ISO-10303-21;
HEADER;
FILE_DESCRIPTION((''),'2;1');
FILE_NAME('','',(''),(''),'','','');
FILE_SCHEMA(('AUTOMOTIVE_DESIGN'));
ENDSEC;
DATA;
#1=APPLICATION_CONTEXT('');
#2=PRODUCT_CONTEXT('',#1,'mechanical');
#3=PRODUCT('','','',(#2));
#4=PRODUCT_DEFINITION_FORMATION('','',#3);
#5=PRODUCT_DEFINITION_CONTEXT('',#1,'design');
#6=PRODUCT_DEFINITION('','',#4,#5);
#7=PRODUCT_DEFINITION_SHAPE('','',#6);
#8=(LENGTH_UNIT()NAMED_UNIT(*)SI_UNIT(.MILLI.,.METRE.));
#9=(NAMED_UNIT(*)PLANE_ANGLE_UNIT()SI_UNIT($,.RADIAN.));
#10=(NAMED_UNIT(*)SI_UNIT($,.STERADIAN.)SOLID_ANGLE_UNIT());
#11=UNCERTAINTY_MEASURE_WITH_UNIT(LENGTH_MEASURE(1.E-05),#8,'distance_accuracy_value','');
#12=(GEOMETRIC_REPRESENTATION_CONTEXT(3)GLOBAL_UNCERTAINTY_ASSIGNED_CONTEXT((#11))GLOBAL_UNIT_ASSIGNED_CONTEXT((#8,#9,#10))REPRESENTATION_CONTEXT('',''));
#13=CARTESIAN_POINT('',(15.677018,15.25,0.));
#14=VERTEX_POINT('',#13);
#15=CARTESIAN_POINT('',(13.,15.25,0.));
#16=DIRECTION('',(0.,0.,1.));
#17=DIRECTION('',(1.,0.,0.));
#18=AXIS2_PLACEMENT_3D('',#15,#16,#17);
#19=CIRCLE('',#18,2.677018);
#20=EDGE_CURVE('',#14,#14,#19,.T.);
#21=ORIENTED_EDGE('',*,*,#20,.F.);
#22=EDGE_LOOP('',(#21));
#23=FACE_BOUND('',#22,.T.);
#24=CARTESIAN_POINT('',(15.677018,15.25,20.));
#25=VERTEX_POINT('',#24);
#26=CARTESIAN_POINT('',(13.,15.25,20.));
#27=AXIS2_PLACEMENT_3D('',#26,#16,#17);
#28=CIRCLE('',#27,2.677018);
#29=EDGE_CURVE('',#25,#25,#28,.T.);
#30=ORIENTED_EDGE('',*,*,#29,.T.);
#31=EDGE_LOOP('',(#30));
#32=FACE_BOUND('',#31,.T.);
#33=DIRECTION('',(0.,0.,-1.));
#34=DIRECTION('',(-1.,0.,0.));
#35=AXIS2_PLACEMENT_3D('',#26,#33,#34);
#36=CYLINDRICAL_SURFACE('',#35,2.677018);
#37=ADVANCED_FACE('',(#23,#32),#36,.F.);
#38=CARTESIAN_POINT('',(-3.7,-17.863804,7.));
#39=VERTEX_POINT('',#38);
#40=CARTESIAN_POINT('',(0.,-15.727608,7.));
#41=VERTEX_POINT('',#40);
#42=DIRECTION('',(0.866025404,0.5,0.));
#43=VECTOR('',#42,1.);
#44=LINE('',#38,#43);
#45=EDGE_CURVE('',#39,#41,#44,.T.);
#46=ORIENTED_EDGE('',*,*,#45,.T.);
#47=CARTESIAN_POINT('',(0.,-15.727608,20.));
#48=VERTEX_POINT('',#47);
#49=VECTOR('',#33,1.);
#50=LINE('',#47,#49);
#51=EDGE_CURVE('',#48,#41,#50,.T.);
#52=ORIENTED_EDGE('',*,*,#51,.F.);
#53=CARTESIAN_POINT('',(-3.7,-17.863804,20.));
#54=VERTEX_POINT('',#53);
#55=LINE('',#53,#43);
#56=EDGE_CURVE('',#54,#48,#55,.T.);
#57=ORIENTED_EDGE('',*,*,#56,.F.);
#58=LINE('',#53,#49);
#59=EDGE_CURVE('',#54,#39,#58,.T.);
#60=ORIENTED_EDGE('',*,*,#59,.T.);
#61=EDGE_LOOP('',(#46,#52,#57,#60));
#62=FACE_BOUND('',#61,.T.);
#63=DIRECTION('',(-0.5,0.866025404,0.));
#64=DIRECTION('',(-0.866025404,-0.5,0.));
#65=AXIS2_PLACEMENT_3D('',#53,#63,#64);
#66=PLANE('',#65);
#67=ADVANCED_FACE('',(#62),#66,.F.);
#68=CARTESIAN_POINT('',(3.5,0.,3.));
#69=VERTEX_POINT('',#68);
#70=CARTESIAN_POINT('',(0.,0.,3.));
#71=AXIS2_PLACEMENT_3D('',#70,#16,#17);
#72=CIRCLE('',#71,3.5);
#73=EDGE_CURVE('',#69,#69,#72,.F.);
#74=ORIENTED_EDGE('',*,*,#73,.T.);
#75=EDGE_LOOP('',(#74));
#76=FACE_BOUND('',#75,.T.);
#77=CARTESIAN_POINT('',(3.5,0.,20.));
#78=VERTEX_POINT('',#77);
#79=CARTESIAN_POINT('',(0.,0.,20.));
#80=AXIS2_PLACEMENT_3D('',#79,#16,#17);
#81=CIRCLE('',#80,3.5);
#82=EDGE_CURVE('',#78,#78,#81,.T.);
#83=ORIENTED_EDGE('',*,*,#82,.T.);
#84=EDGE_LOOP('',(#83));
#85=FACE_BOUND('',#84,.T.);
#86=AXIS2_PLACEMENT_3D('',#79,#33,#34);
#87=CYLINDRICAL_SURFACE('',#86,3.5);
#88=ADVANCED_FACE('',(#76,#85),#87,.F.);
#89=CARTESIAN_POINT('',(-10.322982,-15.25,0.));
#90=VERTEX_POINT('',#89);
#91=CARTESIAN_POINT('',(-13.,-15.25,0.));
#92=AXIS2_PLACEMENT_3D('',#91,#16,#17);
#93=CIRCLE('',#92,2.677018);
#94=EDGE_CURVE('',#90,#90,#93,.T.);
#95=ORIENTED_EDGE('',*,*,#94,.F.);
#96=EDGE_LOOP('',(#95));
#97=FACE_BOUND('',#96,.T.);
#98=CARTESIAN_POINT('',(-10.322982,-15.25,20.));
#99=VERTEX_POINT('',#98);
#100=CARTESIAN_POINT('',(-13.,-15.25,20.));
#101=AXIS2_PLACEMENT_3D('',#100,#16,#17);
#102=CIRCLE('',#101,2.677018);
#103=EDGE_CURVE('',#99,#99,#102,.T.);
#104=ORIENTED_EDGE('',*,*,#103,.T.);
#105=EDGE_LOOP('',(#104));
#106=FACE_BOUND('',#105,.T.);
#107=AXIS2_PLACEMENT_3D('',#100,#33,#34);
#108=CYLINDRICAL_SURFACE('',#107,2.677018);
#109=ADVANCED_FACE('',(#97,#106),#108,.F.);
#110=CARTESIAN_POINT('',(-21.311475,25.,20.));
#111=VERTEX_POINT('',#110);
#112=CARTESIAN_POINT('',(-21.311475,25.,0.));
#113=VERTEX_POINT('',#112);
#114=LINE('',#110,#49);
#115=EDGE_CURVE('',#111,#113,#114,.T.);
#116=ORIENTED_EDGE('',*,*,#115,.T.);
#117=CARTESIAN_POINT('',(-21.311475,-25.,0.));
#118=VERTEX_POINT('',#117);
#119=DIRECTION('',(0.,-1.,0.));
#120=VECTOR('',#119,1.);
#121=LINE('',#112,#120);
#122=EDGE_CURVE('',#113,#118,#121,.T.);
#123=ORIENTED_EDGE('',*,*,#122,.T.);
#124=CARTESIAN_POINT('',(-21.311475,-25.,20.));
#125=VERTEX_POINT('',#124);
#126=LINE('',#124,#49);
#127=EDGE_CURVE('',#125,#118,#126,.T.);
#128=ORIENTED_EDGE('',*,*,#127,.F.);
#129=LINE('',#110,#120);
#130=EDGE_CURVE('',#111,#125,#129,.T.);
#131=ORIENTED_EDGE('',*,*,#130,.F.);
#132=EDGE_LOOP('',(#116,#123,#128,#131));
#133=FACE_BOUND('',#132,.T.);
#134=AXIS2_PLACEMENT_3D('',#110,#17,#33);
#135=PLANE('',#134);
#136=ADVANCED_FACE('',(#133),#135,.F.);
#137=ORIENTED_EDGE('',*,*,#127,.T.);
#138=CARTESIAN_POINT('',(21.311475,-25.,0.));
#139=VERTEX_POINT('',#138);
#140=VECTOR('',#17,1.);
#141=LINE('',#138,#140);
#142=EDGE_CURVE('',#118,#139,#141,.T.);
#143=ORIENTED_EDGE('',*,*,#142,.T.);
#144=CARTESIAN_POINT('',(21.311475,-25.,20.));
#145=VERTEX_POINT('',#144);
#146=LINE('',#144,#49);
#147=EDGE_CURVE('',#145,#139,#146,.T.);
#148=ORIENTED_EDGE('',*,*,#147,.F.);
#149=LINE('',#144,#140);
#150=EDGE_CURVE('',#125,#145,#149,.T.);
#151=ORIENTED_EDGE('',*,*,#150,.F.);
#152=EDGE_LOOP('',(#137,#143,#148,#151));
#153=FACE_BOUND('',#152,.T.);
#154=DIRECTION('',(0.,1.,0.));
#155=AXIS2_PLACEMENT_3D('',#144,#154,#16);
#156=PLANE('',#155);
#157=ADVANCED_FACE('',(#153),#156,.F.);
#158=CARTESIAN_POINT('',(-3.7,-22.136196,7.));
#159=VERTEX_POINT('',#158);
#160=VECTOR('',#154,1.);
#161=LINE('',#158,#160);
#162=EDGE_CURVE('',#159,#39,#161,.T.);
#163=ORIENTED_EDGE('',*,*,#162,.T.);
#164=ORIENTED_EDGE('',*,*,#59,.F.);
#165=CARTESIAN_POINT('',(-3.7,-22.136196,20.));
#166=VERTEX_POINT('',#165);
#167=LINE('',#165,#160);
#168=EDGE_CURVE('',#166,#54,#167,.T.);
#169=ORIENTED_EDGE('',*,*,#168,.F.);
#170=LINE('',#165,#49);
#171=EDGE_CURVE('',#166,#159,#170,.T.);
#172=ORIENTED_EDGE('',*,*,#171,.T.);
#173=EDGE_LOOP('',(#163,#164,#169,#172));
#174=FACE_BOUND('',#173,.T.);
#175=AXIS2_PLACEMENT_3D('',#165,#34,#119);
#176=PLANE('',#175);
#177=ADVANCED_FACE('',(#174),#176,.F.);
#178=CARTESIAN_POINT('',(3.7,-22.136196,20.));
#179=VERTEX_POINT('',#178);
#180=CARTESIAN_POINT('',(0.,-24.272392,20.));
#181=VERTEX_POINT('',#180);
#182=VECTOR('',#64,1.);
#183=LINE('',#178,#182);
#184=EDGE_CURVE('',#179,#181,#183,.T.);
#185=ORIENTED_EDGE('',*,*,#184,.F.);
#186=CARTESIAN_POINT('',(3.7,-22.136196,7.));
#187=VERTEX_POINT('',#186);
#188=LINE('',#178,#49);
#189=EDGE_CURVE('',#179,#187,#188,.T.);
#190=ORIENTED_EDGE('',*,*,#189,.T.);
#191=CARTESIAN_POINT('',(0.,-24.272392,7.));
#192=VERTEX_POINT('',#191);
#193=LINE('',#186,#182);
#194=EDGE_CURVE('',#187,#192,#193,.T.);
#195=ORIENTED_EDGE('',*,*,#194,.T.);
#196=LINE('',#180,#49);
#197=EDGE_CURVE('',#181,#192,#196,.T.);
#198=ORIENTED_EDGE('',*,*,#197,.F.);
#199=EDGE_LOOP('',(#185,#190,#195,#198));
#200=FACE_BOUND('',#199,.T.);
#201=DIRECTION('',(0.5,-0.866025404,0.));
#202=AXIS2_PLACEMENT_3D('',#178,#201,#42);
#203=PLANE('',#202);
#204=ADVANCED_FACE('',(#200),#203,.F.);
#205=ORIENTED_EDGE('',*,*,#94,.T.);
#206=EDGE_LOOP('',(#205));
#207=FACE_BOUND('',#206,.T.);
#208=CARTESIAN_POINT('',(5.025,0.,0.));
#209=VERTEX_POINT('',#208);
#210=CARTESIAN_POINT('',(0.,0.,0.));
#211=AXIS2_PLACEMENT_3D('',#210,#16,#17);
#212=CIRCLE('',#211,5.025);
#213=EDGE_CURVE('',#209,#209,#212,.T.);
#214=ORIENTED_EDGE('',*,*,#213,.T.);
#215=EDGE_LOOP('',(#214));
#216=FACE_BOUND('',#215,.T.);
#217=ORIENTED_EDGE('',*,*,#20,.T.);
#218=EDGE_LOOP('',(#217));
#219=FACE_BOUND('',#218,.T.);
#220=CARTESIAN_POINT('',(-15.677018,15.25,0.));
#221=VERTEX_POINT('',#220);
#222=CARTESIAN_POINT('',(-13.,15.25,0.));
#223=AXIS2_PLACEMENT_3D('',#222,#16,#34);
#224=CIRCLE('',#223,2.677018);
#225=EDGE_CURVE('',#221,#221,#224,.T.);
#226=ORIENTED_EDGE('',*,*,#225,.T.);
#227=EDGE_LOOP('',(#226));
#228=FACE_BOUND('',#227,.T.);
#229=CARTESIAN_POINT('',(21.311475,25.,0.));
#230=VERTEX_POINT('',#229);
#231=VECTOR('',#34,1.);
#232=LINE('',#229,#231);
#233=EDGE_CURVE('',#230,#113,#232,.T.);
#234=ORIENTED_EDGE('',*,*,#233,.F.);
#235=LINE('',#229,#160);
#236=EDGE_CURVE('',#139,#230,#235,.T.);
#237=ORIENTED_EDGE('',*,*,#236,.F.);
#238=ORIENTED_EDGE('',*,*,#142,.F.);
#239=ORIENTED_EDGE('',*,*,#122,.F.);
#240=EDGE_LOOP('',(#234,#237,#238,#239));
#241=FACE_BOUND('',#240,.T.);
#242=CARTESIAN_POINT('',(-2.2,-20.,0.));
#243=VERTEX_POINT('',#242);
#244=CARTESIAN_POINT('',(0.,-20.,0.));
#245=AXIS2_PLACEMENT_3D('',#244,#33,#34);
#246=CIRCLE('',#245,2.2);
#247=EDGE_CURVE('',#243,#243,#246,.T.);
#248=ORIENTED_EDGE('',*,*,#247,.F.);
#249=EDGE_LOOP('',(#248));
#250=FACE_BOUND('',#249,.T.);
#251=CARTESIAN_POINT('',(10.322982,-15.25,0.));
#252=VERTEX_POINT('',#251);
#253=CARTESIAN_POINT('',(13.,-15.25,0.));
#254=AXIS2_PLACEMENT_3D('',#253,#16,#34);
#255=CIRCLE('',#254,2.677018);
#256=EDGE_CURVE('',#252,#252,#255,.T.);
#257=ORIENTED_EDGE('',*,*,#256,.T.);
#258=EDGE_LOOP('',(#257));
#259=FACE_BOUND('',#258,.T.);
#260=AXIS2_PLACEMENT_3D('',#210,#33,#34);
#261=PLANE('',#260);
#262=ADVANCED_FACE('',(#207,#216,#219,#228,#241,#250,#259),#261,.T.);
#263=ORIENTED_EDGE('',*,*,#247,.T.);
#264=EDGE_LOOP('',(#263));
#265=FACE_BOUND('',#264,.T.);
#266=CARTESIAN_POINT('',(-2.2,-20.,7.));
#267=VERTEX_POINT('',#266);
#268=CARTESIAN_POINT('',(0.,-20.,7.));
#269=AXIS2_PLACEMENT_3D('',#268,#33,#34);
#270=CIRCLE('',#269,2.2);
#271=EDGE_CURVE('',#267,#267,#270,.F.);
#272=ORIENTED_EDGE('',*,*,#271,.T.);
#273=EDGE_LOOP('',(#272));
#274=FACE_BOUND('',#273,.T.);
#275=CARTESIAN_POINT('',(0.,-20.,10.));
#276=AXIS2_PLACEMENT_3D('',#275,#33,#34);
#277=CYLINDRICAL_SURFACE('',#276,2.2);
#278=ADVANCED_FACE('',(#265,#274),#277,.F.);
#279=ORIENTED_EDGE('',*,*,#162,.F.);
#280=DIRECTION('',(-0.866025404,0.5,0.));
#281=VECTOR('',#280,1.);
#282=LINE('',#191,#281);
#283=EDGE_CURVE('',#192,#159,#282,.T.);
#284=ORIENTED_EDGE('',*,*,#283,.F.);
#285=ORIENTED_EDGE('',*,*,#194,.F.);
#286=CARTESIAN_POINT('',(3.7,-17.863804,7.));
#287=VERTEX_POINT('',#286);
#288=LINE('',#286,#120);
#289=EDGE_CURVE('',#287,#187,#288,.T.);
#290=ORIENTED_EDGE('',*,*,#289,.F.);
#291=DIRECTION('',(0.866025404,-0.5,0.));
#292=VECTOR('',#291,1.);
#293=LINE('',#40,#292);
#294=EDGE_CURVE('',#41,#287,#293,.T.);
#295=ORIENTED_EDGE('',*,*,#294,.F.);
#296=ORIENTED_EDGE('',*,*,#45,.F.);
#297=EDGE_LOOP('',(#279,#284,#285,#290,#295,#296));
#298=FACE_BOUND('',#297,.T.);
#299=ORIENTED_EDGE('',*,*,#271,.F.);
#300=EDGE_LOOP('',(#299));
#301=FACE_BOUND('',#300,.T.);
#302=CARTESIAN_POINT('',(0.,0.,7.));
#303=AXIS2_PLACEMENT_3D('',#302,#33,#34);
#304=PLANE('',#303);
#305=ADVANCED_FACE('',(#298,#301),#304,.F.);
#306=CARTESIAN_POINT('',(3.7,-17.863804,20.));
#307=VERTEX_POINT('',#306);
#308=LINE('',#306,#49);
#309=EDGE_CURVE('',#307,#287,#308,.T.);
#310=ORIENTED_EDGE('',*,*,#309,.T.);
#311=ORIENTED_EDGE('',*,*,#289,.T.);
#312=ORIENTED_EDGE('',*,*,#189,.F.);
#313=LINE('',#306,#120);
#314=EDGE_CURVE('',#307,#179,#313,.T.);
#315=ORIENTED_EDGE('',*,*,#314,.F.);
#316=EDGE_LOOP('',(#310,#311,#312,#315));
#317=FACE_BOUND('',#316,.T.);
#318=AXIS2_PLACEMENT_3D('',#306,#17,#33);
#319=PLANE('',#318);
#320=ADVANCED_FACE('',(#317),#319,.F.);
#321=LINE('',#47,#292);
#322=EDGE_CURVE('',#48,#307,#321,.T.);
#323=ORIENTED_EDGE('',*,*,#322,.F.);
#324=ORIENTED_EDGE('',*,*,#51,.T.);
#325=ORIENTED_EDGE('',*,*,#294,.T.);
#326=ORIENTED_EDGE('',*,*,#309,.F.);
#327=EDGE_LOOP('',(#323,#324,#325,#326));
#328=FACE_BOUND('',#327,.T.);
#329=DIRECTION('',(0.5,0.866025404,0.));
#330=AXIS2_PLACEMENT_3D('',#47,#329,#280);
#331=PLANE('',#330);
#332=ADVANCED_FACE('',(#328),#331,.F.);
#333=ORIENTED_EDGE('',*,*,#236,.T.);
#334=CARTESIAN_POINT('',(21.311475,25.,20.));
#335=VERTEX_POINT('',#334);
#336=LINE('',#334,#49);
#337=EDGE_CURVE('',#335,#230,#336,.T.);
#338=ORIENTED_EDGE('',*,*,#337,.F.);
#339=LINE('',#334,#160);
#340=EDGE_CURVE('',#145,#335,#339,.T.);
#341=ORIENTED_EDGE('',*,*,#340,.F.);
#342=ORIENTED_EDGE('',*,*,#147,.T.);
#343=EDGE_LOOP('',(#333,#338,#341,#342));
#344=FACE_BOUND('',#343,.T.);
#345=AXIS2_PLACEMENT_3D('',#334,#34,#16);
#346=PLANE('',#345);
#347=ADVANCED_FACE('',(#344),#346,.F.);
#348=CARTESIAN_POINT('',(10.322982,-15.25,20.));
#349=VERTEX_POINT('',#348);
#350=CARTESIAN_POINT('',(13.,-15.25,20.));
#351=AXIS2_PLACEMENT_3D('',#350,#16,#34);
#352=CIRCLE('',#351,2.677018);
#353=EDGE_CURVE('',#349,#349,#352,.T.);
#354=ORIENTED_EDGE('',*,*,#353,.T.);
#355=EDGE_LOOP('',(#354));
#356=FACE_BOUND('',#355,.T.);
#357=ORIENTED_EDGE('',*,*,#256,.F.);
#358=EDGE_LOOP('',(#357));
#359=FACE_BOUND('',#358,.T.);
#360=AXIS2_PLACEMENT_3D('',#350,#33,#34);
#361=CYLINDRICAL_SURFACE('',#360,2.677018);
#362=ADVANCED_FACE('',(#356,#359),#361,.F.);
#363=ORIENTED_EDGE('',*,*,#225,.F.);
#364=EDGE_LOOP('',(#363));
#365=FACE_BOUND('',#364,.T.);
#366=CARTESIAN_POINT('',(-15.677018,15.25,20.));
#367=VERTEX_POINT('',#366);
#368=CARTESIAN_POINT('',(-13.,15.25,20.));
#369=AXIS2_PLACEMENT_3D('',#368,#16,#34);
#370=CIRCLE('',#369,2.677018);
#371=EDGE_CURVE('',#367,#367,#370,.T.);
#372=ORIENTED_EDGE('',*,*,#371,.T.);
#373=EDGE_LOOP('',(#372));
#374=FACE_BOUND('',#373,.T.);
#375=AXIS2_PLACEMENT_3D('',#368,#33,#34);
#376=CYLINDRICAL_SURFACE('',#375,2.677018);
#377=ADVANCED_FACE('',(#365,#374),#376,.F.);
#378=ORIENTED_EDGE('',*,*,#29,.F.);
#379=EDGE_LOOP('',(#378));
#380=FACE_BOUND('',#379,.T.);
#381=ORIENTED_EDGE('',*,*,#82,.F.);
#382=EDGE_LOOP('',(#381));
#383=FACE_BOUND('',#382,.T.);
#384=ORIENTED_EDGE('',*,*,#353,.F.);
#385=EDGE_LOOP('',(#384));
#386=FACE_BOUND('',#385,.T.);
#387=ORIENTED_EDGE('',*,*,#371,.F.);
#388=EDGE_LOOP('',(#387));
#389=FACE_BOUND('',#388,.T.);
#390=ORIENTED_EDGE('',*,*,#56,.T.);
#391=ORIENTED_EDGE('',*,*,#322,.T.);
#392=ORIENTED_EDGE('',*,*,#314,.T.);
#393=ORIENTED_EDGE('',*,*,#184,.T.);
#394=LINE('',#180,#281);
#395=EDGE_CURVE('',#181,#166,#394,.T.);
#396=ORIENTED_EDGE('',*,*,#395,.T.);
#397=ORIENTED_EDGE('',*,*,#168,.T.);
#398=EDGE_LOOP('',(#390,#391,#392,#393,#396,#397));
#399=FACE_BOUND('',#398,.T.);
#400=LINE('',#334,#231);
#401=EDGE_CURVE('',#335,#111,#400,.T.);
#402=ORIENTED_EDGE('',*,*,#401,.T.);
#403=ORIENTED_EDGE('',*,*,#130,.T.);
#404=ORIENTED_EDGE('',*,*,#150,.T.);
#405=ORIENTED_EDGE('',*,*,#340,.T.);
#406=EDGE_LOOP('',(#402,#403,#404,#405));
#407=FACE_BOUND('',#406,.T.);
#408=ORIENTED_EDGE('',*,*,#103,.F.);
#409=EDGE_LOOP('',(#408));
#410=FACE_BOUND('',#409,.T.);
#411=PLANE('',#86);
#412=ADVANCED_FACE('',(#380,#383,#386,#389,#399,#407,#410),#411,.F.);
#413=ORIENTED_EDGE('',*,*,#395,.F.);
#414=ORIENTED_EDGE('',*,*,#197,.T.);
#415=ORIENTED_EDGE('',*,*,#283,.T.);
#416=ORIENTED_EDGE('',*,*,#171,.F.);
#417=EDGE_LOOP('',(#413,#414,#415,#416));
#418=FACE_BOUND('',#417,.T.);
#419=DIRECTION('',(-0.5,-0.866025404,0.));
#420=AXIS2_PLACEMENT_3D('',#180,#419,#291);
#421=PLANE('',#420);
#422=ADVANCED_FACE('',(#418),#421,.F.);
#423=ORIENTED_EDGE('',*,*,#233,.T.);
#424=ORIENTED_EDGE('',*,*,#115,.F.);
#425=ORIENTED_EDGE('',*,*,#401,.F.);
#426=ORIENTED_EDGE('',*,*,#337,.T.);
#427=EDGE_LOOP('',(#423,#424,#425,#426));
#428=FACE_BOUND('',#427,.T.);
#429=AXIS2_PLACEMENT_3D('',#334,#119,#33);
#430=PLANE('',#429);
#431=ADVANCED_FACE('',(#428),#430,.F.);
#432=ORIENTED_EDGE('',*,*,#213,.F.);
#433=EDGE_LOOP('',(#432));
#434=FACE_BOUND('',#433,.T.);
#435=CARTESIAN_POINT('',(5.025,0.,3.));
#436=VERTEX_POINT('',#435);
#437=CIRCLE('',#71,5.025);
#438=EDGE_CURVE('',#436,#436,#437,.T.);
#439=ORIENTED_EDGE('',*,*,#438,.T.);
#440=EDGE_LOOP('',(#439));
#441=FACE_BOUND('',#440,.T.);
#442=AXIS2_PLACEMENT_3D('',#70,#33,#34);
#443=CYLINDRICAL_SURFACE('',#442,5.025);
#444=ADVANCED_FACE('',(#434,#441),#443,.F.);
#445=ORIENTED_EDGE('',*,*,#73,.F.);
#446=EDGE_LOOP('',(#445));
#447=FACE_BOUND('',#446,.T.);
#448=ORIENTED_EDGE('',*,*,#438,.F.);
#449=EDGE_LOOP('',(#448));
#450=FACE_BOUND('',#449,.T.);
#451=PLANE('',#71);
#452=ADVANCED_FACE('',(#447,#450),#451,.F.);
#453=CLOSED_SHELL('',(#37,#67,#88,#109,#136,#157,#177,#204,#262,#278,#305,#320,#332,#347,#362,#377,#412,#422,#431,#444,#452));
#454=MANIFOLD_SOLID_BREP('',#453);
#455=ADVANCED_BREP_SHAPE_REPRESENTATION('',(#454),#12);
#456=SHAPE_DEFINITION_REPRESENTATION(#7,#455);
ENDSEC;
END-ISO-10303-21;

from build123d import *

# Parameters (mm, degrees)
SKETCH1_W           = 42.62295082
SKETCH1_H           = 50
SKETCH1_R           = 2.677018134
BOSS_EXTRUDE1_DEPTH = 20
SKETCH2_R           = 5.025
CUT_EXTRUDE2_DEPTH  = 3
SKETCH3_R           = 2.2
CUT_EXTRUDE3_DEPTH  = 10
CUT_EXTRUDE4_START  = -7
CUT_EXTRUDE4_DEPTH  = 32.460095998
SKETCH6_R           = 3.5
CUT_EXTRUDE5_DEPTH  = 39.460095998


with BuildPart() as part:
    # Sketch1 → Boss-Extrude1 (new body)
    with BuildSketch(Plane.XY):
        Rectangle(SKETCH1_W, SKETCH1_H)
        with Locations((-13, -15.25)):
            Circle(SKETCH1_R, mode=Mode.SUBTRACT)
        with Locations(Location((13, -15.25, 0), (0, 0, 180))):
            Circle(SKETCH1_R, mode=Mode.SUBTRACT)
        with Locations((13, 15.25)):
            Circle(SKETCH1_R, mode=Mode.SUBTRACT)
        with Locations(Location((-13, 15.25, 0), (0, 0, 180))):
            Circle(SKETCH1_R, mode=Mode.SUBTRACT)
    extrude(amount=BOSS_EXTRUDE1_DEPTH)

    # Sketch2 → Cut-Extrude2 (cut)
    with BuildSketch(Plane.XY):
        Circle(SKETCH2_R)
    extrude(amount=CUT_EXTRUDE2_DEPTH, mode=Mode.SUBTRACT)

    # Sketch3 → Cut-Extrude3 (cut)
    with BuildSketch(Plane(origin=(0, 0, 0), x_dir=(-1, 0, 0), z_dir=(0, 0, -1))):
        with Locations((0, -20)):
            Circle(SKETCH3_R)
    extrude(amount=-CUT_EXTRUDE3_DEPTH, mode=Mode.SUBTRACT)

    # Sketch5 → Cut-Extrude4 (cut, through all)
    with BuildSketch(Plane(origin=(0, 0, 0), x_dir=(-1, 0, 0), z_dir=(0, 0, -1)).offset(CUT_EXTRUDE4_START)):
        Polygon((0, -15.727608008), (-3.7, -17.863804004), (-3.7, -22.136195996), (0, -24.272391992), (3.7, -22.136195996), (3.7, -17.863804004), align=None)
    extrude(amount=-CUT_EXTRUDE4_DEPTH, mode=Mode.SUBTRACT)

    # Sketch6 → Cut-Extrude5 (cut, through all)
    with BuildSketch(Plane.XY):
        Circle(SKETCH6_R)
    extrude(amount=CUT_EXTRUDE5_DEPTH, mode=Mode.SUBTRACT)


solid = part.part
